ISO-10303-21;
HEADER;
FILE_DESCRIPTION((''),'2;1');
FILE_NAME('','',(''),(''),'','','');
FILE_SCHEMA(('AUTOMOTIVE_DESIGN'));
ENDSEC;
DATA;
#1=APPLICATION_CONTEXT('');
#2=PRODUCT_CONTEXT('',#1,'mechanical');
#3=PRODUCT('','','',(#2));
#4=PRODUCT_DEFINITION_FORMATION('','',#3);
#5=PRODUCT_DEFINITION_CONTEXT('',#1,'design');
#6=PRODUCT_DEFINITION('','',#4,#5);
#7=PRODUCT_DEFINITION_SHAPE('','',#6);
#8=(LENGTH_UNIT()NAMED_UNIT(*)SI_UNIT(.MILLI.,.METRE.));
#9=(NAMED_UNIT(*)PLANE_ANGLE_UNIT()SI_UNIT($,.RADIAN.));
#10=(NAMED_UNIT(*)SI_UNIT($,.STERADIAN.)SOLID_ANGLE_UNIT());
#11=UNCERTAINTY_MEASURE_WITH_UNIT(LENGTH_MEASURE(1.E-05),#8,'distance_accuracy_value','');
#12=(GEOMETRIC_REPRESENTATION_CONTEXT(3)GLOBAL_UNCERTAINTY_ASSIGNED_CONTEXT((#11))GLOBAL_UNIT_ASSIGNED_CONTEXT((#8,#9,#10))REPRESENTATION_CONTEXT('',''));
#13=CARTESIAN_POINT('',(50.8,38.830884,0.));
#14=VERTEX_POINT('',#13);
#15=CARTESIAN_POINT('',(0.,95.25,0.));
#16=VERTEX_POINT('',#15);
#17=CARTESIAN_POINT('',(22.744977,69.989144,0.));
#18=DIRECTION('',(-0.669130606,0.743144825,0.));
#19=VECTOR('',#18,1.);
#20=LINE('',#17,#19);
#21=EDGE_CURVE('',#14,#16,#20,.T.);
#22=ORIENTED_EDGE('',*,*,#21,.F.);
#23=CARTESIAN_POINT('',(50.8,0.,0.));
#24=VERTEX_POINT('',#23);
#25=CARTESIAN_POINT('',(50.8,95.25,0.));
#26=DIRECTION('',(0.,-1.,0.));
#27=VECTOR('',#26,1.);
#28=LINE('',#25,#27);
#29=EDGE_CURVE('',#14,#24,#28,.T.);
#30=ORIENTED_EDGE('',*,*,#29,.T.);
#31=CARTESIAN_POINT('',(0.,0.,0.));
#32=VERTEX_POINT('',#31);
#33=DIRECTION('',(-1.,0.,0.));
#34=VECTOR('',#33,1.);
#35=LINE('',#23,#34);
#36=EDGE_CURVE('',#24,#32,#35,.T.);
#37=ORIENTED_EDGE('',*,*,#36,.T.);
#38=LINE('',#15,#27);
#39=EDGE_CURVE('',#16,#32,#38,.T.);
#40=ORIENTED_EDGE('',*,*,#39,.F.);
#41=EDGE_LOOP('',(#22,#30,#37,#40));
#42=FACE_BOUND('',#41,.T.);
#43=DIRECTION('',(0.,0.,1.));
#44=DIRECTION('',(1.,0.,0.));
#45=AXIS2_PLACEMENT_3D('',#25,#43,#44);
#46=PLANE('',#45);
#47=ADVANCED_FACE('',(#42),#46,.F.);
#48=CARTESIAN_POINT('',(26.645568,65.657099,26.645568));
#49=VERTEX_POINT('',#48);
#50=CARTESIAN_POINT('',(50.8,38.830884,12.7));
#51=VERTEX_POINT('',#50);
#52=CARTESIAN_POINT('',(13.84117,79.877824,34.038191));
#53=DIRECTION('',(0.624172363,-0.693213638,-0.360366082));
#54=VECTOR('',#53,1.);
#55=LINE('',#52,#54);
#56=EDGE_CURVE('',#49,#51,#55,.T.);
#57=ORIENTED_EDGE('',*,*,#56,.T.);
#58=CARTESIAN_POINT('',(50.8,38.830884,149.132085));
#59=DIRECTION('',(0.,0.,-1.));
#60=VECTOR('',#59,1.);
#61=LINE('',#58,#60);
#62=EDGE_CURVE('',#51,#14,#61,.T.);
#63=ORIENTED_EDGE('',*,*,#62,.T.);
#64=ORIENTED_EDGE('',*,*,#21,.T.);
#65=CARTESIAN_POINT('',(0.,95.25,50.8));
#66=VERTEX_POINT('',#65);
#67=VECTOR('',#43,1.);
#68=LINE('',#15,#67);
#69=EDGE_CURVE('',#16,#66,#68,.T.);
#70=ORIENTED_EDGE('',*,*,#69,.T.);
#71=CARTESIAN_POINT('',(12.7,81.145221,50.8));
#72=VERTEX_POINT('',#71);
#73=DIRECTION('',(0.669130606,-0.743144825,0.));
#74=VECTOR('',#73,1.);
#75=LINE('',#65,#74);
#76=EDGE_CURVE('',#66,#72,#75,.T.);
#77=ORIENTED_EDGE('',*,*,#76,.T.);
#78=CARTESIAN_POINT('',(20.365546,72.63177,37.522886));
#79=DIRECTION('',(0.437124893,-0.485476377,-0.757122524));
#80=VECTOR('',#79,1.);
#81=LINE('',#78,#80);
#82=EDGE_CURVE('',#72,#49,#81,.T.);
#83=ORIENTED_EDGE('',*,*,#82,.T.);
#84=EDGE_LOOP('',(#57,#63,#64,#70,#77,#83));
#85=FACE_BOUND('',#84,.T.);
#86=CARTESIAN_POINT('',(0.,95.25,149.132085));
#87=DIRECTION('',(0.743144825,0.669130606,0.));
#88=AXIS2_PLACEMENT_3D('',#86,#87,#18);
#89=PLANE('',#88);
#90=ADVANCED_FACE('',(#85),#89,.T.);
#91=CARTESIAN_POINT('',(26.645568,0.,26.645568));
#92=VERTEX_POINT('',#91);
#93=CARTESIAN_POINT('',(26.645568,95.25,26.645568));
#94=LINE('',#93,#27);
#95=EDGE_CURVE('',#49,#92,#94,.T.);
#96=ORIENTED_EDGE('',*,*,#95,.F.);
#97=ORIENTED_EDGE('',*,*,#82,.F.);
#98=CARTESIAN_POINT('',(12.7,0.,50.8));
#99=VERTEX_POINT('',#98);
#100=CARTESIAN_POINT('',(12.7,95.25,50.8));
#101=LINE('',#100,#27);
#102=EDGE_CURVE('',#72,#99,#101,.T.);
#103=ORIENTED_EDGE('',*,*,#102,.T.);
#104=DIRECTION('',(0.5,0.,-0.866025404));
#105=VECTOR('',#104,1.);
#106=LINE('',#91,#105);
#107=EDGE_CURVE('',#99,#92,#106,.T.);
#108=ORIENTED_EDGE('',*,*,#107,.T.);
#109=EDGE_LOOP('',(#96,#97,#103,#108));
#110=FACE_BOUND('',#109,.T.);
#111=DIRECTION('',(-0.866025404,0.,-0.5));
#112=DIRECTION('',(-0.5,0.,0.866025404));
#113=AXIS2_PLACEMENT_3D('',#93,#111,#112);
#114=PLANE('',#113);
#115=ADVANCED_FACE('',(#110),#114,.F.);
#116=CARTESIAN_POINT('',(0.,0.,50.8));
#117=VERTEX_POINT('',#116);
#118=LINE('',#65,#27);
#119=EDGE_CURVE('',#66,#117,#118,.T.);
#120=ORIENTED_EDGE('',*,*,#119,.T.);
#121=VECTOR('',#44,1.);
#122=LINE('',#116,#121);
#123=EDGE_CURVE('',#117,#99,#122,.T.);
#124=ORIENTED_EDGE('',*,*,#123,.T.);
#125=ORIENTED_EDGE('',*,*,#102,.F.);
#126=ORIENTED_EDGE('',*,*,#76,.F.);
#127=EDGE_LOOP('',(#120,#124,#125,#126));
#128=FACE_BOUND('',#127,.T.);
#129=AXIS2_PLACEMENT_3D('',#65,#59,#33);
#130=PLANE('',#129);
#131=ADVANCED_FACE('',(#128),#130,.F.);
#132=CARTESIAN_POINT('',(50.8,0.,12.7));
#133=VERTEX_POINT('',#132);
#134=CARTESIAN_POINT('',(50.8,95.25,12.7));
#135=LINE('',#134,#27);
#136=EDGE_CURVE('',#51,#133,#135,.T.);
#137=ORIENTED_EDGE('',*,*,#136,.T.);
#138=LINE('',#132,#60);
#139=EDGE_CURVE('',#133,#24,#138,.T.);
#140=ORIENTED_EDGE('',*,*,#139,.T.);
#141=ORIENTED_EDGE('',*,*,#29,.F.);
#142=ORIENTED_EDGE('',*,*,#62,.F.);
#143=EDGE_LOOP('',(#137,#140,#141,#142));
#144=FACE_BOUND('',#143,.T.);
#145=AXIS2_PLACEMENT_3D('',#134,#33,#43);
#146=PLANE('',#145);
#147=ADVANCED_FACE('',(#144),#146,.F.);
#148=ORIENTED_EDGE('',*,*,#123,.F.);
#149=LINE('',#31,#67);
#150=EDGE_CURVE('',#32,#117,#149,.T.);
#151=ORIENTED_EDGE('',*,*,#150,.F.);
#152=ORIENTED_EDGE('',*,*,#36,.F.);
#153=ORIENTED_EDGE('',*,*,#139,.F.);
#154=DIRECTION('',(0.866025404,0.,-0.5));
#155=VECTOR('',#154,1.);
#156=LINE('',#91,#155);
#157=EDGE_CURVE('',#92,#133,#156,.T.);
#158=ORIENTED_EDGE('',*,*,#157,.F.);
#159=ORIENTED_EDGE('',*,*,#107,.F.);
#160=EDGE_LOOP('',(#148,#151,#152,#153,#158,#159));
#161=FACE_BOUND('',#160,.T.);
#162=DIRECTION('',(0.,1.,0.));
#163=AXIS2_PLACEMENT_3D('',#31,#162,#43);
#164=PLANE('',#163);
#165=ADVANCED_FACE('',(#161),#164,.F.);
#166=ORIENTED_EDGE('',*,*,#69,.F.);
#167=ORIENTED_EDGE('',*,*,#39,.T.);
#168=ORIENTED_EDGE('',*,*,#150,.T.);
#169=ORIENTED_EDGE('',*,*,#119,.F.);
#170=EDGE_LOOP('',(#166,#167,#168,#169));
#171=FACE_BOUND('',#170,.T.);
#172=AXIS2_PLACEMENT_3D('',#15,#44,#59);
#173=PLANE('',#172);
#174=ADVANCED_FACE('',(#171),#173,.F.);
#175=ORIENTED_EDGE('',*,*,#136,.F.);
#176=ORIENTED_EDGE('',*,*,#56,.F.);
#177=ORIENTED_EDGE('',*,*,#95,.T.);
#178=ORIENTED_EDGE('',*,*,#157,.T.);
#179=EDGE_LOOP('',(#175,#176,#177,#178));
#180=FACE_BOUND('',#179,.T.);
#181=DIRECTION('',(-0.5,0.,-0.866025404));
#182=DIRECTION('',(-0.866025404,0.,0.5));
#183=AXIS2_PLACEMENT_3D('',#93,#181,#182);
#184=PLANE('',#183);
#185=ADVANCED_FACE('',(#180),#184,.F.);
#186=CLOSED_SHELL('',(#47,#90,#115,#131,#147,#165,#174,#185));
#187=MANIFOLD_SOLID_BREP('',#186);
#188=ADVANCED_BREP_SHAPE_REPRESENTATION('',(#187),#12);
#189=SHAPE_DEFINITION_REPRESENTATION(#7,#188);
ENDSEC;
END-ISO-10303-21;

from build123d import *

# Parameters (mm, degrees)
BOSS_EXTRUDE1_DEPTH     = 95.25
CUT_EXTRUDE1_DEPTH      = 120.305668348
CUT_EXTRUDE1_DEPTH_BACK = 120.305668348


with BuildPart() as part:
    # Sketch1 → Boss-Extrude1 (new body)
    with BuildSketch(Plane(origin=(0, 0, 0), x_dir=(1, 0, 0), z_dir=(0, 1, 0))):
        Polygon((50.8, 0), (0, 0), (0, -50.8), (12.7, -50.8), (26.645567884, -26.645567884), (50.8, -12.7), align=None)
    extrude(amount=BOSS_EXTRUDE1_DEPTH)

    # Sketch2 → Cut-Extrude1 (cut, two sides: drawn at the far end of the back side and taken through both)
    with BuildSketch(Plane.XY.offset(-CUT_EXTRUDE1_DEPTH_BACK)):
        Polygon((-151.156603976, 263.126416075), (0, 95.25), (50.8, 38.830884247), (201.956603976, -129.045531829), (537.709436127, 173.267676124), (184.596228174, 565.439624028), align=None)
    extrude(amount=CUT_EXTRUDE1_DEPTH + CUT_EXTRUDE1_DEPTH_BACK, mode=Mode.SUBTRACT)


solid = part.part
